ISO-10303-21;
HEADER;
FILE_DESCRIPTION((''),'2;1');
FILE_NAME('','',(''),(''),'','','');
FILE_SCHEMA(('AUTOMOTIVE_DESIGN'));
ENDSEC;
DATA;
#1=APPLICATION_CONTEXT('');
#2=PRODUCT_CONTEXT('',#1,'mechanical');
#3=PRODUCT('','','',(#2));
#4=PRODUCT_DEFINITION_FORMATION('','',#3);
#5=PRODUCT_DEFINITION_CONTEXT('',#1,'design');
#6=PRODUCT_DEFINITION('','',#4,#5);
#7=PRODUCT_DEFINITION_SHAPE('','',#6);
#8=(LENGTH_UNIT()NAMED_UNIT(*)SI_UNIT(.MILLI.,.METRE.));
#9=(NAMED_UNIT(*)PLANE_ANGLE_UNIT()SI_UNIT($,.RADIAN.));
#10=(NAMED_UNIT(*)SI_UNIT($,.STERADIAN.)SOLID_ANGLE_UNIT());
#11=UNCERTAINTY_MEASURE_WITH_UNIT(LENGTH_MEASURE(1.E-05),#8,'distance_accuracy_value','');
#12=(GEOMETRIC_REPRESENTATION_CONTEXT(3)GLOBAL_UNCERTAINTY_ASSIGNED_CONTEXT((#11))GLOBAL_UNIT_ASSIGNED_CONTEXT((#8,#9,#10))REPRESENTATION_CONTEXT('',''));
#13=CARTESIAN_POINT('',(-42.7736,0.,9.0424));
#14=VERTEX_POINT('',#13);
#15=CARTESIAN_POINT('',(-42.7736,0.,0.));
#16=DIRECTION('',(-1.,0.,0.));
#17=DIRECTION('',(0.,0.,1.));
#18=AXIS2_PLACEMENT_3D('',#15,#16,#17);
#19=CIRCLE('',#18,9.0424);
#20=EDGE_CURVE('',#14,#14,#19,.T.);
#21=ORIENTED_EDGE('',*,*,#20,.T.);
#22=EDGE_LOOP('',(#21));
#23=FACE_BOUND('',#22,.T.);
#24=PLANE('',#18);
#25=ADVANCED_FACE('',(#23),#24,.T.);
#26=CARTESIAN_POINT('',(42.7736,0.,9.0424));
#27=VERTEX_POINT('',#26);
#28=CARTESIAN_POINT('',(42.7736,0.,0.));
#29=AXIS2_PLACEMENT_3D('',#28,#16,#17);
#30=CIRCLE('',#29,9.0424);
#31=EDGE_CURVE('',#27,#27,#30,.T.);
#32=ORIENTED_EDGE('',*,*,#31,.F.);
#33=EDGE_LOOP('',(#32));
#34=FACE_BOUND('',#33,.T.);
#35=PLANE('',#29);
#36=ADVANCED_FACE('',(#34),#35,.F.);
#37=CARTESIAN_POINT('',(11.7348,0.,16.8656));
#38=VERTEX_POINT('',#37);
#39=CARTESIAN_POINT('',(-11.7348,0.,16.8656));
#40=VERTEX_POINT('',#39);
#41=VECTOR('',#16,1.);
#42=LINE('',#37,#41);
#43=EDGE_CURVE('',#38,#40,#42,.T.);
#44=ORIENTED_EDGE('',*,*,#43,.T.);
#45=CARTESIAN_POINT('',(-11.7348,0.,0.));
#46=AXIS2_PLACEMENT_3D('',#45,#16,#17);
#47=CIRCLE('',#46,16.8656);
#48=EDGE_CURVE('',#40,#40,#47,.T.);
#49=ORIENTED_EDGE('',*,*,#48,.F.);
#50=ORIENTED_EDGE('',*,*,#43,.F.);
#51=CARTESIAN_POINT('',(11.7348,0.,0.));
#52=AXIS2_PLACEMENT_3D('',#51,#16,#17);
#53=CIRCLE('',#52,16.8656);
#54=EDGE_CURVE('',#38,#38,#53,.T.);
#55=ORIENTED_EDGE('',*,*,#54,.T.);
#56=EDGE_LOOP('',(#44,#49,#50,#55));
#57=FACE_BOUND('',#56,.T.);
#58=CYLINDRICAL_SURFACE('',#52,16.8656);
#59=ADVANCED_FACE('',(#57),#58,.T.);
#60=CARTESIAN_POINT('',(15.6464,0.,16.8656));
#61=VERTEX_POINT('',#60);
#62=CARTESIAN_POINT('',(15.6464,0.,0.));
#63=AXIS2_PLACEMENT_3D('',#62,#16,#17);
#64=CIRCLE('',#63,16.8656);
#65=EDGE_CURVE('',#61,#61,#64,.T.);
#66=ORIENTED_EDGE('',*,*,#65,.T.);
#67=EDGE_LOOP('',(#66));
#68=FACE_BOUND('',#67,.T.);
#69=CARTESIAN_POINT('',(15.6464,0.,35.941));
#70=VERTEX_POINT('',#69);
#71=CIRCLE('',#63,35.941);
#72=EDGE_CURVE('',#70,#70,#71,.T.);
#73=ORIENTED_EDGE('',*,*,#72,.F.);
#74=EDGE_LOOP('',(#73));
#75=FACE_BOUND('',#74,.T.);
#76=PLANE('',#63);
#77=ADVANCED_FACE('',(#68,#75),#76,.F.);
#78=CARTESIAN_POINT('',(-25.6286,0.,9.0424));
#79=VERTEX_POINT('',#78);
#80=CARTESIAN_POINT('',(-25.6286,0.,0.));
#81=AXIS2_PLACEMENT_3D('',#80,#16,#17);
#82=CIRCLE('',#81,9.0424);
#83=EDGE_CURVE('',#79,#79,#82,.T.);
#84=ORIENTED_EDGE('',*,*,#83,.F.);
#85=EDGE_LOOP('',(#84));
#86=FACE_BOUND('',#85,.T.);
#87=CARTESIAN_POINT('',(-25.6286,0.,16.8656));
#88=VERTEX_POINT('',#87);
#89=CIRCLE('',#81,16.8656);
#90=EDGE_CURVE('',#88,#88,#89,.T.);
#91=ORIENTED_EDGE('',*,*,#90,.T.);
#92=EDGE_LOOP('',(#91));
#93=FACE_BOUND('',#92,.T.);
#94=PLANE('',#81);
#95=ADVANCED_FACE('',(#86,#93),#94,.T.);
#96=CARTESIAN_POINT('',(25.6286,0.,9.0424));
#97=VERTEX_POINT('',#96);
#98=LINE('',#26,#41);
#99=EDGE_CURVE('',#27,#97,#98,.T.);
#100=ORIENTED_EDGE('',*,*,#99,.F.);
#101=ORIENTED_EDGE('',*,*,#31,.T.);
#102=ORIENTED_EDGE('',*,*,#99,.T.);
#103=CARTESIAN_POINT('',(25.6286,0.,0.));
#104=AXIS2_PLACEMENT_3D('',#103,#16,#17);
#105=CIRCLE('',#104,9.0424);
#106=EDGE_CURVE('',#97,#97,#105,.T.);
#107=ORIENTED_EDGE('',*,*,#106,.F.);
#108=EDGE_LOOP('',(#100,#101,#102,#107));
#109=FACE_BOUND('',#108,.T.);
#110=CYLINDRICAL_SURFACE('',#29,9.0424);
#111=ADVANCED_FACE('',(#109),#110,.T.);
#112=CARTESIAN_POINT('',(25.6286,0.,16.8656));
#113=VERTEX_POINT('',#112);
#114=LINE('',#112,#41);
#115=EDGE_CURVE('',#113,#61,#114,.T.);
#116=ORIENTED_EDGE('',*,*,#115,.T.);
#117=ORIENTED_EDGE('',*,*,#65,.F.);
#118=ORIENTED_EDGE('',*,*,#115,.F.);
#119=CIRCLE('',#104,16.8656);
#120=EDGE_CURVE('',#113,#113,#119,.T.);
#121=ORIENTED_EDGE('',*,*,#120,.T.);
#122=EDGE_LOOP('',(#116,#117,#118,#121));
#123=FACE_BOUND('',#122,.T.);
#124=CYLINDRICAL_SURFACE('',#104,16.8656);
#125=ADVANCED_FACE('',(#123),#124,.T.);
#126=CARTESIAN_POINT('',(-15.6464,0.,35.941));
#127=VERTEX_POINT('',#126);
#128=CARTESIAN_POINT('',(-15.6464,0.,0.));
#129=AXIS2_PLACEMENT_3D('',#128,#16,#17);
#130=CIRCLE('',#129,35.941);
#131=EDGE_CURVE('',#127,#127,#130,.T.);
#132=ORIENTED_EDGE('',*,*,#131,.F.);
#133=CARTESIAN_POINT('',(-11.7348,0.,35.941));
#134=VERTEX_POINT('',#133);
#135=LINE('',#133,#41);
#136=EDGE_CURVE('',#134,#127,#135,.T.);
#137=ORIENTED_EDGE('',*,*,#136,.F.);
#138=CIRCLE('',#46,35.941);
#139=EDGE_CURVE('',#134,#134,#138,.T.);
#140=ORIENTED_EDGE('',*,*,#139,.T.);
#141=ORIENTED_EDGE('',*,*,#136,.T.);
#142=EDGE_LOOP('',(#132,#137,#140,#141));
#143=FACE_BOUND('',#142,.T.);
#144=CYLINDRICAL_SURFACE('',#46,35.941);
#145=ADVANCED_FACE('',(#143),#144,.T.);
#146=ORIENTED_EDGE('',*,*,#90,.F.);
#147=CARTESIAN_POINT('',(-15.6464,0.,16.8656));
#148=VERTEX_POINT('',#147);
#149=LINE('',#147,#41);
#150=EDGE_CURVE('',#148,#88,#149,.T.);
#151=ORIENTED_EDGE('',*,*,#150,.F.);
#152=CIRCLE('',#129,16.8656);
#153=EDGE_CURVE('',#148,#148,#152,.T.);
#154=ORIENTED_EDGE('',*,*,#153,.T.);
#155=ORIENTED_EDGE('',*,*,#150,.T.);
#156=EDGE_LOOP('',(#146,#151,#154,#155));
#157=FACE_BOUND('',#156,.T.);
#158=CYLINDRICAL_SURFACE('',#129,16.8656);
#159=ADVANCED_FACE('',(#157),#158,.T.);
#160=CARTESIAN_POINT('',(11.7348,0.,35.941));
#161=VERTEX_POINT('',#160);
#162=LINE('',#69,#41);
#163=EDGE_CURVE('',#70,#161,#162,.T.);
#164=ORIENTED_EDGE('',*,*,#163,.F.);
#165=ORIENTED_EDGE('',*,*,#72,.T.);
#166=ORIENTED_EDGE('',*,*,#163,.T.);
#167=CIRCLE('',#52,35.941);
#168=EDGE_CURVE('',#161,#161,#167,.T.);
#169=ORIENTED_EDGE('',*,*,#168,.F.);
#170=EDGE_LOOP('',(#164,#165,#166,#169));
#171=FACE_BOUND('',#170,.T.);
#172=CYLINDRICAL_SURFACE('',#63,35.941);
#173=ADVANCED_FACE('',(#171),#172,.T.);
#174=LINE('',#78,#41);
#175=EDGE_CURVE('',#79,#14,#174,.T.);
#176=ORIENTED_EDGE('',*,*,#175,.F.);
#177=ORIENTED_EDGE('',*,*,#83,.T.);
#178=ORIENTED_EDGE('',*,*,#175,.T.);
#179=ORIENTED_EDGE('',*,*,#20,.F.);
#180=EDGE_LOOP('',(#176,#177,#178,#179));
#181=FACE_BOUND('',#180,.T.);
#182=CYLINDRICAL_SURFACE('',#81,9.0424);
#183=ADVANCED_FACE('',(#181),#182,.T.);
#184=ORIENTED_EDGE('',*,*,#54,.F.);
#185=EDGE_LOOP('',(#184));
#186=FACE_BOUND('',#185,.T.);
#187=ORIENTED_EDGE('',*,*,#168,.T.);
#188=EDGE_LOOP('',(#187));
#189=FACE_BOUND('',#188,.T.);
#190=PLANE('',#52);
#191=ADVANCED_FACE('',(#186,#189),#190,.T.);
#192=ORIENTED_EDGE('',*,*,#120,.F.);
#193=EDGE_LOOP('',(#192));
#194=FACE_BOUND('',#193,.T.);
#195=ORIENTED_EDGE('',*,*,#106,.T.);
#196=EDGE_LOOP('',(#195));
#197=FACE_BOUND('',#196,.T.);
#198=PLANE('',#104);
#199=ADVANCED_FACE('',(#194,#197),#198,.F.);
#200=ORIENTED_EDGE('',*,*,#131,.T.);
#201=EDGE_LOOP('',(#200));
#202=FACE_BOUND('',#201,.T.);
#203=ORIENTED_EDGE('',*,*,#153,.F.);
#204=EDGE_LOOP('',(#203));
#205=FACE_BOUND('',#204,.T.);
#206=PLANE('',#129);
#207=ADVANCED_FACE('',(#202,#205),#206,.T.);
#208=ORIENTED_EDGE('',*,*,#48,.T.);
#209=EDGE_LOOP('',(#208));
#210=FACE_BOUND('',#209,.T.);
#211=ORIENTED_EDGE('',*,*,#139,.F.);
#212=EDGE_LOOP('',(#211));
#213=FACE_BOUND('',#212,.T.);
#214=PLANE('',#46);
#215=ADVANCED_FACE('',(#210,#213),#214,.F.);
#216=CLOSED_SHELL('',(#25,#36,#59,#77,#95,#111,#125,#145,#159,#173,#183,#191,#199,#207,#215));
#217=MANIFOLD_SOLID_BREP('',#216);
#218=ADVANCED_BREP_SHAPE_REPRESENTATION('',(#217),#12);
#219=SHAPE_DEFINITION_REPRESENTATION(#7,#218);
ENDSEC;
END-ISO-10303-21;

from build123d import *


with BuildPart() as f1:
    # F0 (on Front) → F1 (revolve)
    with BuildSketch(Plane.XZ):
        Polygon((-42.7736, 0), (0, 0), (0, 16.8656), (-11.7348, 16.8656), (-11.7348, 35.941), (-15.6464, 35.941), (-15.6464, 16.8656), (-25.6286, 16.8656), (-25.6286, 9.0424), (-42.7736, 9.0424), align=None)
        Polygon((0, 16.8656), (0, 0), (42.7736, 0), (42.7736, 9.0424), (25.6286, 9.0424), (25.6286, 16.8656), (15.6464, 16.8656), (15.6464, 35.941), (11.7348, 35.941), (11.7348, 16.8656), align=None)
    revolve(axis=Axis((-21.3868, 0, 0), (-1, 0, 0)))


solid = f1.part
